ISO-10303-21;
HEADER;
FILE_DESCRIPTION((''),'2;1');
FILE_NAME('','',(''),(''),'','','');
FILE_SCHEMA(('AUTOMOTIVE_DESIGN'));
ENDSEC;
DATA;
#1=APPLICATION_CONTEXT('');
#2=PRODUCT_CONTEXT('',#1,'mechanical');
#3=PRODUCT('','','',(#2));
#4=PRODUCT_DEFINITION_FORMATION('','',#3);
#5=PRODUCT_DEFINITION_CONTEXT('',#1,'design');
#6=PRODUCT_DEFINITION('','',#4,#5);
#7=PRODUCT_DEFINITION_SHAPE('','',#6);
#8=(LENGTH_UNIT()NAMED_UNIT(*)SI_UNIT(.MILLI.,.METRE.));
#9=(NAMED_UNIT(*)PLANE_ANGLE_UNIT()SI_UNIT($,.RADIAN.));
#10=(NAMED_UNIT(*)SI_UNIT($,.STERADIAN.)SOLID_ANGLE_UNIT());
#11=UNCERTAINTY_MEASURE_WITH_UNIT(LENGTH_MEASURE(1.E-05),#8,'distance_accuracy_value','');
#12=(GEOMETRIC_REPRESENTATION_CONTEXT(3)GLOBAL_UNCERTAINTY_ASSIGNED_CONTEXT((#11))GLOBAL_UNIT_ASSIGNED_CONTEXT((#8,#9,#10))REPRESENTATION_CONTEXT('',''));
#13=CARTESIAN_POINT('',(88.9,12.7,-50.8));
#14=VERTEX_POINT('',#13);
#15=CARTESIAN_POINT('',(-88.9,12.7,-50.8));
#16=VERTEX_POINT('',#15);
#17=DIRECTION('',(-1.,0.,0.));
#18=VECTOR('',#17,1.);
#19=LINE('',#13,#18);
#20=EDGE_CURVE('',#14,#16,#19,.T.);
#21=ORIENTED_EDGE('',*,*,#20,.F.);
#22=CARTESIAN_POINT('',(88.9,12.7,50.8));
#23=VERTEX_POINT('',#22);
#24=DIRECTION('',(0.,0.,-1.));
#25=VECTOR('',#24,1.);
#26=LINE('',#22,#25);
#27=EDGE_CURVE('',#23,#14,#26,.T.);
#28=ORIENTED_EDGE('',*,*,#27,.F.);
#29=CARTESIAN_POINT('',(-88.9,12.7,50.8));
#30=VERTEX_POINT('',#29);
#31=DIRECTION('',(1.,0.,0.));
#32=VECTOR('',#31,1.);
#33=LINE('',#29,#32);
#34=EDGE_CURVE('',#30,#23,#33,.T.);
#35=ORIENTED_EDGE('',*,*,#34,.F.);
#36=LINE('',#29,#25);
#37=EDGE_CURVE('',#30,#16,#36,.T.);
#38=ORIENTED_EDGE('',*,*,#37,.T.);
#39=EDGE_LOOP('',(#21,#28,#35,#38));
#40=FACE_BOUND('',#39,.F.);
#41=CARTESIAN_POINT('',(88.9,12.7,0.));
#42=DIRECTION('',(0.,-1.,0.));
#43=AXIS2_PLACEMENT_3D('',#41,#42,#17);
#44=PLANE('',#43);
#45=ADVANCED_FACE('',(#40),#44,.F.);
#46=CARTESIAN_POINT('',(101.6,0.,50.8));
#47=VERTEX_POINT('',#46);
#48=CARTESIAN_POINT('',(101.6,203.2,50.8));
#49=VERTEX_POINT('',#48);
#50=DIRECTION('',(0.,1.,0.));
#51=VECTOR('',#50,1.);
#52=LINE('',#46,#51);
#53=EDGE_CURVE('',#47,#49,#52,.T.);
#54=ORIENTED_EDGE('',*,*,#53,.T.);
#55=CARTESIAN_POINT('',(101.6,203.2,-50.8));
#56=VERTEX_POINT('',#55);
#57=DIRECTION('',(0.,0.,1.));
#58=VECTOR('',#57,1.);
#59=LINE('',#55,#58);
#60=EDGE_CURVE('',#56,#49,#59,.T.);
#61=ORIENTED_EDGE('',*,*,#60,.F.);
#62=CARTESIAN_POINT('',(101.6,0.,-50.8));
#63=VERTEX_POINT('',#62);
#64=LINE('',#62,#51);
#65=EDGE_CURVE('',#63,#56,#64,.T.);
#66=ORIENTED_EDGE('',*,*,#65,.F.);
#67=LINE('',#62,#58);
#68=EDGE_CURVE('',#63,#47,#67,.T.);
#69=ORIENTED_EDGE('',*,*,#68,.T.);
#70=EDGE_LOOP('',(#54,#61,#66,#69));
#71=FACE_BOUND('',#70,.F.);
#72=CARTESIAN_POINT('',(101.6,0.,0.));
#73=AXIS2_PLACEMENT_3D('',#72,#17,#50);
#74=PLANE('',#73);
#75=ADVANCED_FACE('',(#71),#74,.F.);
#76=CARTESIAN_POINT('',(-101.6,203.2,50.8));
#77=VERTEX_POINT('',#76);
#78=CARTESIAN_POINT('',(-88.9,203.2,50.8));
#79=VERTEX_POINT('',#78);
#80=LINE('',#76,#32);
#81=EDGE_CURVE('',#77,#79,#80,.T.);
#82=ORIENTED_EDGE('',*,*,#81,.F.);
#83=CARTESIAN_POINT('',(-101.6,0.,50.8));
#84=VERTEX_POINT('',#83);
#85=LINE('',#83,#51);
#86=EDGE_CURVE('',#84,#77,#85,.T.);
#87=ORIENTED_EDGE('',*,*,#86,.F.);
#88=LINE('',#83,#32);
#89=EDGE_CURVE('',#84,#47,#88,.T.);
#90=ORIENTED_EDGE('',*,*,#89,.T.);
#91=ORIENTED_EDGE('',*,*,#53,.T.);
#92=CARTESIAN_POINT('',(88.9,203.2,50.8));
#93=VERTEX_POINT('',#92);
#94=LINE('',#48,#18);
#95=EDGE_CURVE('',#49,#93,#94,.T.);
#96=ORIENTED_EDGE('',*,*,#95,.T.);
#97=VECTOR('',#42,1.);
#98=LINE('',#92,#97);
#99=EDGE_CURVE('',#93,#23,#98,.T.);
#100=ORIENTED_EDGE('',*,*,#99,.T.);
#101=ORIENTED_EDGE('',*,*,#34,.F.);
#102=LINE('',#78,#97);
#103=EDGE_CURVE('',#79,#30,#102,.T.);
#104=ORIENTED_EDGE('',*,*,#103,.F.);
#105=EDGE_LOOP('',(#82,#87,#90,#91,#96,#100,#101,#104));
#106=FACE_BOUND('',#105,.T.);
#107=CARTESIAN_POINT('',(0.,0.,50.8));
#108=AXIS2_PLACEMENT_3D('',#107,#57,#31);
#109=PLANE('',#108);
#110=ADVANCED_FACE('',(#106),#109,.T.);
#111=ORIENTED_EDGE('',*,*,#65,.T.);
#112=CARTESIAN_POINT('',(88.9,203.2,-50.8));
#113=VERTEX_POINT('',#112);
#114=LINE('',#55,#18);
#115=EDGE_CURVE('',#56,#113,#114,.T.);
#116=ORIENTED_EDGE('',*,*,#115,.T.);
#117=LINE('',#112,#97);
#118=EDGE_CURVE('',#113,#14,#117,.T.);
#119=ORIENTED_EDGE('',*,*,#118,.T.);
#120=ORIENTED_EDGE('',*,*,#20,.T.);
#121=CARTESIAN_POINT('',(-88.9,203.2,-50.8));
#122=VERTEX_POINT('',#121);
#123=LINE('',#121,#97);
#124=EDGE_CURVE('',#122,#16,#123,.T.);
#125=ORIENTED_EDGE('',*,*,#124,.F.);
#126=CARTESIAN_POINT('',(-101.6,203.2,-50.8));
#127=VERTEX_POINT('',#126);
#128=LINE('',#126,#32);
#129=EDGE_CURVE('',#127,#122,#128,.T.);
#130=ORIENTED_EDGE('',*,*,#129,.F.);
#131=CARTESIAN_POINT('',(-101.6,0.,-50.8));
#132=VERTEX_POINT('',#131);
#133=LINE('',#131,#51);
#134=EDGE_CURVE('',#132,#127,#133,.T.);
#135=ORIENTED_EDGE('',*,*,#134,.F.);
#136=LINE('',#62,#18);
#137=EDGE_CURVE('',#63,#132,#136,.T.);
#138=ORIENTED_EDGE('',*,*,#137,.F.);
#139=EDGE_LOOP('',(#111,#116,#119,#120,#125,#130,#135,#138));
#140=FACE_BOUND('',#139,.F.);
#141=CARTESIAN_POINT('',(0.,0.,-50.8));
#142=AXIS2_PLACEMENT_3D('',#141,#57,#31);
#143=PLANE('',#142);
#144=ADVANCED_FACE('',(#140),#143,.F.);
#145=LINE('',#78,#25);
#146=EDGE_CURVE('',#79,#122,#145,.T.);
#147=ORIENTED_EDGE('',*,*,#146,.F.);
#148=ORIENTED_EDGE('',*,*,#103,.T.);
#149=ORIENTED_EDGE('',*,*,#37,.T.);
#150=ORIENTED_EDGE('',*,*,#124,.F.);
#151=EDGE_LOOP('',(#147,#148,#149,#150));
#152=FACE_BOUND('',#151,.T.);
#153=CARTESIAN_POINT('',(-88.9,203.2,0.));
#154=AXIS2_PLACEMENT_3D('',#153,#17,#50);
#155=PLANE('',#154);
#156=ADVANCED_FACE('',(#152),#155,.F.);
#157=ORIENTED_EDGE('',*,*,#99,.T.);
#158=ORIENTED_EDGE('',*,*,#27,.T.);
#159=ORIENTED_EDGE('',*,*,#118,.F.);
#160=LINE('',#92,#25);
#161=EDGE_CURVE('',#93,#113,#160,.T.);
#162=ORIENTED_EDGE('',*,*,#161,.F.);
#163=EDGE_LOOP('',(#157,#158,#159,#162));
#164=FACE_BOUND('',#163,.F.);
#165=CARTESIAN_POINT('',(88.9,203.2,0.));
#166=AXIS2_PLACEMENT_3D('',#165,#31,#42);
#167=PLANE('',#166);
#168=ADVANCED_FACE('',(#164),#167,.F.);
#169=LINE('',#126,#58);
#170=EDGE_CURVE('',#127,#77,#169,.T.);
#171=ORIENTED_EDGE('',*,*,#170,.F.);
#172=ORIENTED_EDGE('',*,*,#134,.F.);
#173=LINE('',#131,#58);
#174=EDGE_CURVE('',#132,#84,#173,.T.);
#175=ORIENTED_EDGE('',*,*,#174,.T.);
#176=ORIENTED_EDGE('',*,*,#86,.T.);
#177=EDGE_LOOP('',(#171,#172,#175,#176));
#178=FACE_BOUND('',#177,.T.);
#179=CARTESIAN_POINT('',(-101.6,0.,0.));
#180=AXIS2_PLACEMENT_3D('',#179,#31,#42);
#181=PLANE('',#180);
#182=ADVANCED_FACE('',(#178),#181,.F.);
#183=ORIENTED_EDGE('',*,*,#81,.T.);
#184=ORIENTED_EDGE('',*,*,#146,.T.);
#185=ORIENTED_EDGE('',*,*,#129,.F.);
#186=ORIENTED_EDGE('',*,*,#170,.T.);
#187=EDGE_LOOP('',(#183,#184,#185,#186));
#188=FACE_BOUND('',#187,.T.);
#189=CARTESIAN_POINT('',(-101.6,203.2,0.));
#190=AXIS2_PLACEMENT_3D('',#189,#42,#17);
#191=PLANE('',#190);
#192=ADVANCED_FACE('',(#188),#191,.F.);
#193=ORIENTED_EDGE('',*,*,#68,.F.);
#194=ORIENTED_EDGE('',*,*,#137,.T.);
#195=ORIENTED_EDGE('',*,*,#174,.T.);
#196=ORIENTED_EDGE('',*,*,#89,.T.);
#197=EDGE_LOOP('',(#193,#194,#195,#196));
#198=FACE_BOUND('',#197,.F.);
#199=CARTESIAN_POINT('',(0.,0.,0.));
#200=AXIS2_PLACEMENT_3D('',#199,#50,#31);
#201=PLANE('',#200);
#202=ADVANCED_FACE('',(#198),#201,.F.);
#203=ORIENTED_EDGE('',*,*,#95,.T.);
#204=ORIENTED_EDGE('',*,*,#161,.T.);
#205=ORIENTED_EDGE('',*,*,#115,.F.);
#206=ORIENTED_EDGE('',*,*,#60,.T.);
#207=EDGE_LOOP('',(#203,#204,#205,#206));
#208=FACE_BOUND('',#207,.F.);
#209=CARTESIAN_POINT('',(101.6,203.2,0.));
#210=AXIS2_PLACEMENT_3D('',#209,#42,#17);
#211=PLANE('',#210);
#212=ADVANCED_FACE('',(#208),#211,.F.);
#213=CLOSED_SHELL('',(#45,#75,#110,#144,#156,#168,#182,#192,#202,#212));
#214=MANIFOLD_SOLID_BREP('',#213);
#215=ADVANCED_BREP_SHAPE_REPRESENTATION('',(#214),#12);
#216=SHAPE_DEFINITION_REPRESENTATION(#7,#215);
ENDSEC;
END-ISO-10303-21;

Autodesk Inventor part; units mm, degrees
ref_plane "XZ Plane" through (0, 0, 0) normal (0, 1, 0) x (-1, 0, 0)
ref_plane "XY Plane" through (0, 0, 0) normal (0, 0, 1) x (1, 0, 0)
sketch "Sketch3" plane through (0, 0, 0) normal (0, 0, 1) x (1, 0, 0)
  line L0 (0, 0) -> (0, 127) construction
  line L1 (0, 0) -> (101.6, 0)
  line L2 (101.6, 0) -> (101.6, 203.2)
  line L3 (101.6, 203.2) -> (88.9, 203.2)
  line L4 (88.9, 203.2) -> (88.9, 12.7)
  line L5 (88.9, 12.7) -> (0, 12.7)
  line L6 (0, 12.7) -> (0, 0)
  dimension "d2" = 127
  dimension "forkWallThickness" = 12.7
  dimension "oneHalfTubeDiameter" = 88.9
  dimension "baseMaterialWidth" = 12.7
  dimension "d6" = 203.2
extrude "Extrusion1" add sketch "Sketch3" along normal mid plane 101.6
mirror "Mirror1" about plane through (0, 0, 0) normal (1, 0, 0) of "Extrusion1"
properties part number "forkV01"
